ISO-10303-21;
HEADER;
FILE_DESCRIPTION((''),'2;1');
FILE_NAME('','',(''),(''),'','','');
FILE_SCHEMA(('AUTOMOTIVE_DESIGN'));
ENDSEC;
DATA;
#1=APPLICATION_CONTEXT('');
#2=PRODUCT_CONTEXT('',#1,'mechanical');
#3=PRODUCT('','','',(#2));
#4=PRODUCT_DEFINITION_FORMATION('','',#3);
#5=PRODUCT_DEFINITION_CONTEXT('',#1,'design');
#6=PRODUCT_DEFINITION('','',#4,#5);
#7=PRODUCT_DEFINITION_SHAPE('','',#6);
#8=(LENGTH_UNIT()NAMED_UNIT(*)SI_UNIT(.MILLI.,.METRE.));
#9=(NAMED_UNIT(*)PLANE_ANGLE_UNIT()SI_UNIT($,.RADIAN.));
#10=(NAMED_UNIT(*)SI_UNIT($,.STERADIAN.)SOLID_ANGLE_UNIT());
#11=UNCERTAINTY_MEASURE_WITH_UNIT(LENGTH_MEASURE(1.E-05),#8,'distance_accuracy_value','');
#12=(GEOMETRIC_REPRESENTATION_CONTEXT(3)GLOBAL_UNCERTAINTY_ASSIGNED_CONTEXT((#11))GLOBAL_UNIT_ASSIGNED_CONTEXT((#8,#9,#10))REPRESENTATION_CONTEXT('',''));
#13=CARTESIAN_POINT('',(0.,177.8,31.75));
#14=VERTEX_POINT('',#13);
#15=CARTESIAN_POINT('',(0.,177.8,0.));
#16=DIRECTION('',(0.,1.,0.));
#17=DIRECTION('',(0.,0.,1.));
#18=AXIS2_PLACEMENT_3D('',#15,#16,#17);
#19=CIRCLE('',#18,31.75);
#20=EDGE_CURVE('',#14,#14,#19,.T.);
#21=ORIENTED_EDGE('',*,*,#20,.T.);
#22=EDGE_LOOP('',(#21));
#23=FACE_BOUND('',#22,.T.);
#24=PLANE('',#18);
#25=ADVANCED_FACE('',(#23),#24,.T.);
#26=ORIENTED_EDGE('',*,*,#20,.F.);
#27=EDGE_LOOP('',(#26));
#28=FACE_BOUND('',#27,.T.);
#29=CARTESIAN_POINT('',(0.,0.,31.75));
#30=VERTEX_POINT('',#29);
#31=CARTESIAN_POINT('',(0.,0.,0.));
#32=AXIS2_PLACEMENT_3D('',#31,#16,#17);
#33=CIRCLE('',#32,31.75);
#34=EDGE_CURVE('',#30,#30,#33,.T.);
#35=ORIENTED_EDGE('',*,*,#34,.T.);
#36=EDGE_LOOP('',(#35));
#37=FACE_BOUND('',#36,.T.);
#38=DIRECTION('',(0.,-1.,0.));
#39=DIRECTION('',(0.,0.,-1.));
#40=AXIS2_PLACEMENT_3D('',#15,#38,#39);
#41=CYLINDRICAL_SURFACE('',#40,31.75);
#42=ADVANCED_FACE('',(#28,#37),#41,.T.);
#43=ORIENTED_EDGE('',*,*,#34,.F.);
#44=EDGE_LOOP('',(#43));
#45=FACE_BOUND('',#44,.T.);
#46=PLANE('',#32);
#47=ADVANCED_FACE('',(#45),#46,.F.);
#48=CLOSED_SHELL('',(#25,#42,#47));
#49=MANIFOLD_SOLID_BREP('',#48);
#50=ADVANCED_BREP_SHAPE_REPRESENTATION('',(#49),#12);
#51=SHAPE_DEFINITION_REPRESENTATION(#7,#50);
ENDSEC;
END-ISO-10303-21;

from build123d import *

# Parameters (mm, degrees)
DROGUE_CHUTE_PROFILE_R  = 31.75
DROGUE_CHUTE_BODY_DEPTH = 177.8


with BuildPart() as part:
    # Drogue Chute Profile → Drogue Chute Body (new body)
    with BuildSketch(Plane(origin=(0, 0, 0), x_dir=(1, 0, 0), z_dir=(0, 1, 0))):
        with Locations(Location((0, 0, 0), (0, 0, 270))):
            Circle(DROGUE_CHUTE_PROFILE_R)
    extrude(amount=DROGUE_CHUTE_BODY_DEPTH)


solid = part.part
